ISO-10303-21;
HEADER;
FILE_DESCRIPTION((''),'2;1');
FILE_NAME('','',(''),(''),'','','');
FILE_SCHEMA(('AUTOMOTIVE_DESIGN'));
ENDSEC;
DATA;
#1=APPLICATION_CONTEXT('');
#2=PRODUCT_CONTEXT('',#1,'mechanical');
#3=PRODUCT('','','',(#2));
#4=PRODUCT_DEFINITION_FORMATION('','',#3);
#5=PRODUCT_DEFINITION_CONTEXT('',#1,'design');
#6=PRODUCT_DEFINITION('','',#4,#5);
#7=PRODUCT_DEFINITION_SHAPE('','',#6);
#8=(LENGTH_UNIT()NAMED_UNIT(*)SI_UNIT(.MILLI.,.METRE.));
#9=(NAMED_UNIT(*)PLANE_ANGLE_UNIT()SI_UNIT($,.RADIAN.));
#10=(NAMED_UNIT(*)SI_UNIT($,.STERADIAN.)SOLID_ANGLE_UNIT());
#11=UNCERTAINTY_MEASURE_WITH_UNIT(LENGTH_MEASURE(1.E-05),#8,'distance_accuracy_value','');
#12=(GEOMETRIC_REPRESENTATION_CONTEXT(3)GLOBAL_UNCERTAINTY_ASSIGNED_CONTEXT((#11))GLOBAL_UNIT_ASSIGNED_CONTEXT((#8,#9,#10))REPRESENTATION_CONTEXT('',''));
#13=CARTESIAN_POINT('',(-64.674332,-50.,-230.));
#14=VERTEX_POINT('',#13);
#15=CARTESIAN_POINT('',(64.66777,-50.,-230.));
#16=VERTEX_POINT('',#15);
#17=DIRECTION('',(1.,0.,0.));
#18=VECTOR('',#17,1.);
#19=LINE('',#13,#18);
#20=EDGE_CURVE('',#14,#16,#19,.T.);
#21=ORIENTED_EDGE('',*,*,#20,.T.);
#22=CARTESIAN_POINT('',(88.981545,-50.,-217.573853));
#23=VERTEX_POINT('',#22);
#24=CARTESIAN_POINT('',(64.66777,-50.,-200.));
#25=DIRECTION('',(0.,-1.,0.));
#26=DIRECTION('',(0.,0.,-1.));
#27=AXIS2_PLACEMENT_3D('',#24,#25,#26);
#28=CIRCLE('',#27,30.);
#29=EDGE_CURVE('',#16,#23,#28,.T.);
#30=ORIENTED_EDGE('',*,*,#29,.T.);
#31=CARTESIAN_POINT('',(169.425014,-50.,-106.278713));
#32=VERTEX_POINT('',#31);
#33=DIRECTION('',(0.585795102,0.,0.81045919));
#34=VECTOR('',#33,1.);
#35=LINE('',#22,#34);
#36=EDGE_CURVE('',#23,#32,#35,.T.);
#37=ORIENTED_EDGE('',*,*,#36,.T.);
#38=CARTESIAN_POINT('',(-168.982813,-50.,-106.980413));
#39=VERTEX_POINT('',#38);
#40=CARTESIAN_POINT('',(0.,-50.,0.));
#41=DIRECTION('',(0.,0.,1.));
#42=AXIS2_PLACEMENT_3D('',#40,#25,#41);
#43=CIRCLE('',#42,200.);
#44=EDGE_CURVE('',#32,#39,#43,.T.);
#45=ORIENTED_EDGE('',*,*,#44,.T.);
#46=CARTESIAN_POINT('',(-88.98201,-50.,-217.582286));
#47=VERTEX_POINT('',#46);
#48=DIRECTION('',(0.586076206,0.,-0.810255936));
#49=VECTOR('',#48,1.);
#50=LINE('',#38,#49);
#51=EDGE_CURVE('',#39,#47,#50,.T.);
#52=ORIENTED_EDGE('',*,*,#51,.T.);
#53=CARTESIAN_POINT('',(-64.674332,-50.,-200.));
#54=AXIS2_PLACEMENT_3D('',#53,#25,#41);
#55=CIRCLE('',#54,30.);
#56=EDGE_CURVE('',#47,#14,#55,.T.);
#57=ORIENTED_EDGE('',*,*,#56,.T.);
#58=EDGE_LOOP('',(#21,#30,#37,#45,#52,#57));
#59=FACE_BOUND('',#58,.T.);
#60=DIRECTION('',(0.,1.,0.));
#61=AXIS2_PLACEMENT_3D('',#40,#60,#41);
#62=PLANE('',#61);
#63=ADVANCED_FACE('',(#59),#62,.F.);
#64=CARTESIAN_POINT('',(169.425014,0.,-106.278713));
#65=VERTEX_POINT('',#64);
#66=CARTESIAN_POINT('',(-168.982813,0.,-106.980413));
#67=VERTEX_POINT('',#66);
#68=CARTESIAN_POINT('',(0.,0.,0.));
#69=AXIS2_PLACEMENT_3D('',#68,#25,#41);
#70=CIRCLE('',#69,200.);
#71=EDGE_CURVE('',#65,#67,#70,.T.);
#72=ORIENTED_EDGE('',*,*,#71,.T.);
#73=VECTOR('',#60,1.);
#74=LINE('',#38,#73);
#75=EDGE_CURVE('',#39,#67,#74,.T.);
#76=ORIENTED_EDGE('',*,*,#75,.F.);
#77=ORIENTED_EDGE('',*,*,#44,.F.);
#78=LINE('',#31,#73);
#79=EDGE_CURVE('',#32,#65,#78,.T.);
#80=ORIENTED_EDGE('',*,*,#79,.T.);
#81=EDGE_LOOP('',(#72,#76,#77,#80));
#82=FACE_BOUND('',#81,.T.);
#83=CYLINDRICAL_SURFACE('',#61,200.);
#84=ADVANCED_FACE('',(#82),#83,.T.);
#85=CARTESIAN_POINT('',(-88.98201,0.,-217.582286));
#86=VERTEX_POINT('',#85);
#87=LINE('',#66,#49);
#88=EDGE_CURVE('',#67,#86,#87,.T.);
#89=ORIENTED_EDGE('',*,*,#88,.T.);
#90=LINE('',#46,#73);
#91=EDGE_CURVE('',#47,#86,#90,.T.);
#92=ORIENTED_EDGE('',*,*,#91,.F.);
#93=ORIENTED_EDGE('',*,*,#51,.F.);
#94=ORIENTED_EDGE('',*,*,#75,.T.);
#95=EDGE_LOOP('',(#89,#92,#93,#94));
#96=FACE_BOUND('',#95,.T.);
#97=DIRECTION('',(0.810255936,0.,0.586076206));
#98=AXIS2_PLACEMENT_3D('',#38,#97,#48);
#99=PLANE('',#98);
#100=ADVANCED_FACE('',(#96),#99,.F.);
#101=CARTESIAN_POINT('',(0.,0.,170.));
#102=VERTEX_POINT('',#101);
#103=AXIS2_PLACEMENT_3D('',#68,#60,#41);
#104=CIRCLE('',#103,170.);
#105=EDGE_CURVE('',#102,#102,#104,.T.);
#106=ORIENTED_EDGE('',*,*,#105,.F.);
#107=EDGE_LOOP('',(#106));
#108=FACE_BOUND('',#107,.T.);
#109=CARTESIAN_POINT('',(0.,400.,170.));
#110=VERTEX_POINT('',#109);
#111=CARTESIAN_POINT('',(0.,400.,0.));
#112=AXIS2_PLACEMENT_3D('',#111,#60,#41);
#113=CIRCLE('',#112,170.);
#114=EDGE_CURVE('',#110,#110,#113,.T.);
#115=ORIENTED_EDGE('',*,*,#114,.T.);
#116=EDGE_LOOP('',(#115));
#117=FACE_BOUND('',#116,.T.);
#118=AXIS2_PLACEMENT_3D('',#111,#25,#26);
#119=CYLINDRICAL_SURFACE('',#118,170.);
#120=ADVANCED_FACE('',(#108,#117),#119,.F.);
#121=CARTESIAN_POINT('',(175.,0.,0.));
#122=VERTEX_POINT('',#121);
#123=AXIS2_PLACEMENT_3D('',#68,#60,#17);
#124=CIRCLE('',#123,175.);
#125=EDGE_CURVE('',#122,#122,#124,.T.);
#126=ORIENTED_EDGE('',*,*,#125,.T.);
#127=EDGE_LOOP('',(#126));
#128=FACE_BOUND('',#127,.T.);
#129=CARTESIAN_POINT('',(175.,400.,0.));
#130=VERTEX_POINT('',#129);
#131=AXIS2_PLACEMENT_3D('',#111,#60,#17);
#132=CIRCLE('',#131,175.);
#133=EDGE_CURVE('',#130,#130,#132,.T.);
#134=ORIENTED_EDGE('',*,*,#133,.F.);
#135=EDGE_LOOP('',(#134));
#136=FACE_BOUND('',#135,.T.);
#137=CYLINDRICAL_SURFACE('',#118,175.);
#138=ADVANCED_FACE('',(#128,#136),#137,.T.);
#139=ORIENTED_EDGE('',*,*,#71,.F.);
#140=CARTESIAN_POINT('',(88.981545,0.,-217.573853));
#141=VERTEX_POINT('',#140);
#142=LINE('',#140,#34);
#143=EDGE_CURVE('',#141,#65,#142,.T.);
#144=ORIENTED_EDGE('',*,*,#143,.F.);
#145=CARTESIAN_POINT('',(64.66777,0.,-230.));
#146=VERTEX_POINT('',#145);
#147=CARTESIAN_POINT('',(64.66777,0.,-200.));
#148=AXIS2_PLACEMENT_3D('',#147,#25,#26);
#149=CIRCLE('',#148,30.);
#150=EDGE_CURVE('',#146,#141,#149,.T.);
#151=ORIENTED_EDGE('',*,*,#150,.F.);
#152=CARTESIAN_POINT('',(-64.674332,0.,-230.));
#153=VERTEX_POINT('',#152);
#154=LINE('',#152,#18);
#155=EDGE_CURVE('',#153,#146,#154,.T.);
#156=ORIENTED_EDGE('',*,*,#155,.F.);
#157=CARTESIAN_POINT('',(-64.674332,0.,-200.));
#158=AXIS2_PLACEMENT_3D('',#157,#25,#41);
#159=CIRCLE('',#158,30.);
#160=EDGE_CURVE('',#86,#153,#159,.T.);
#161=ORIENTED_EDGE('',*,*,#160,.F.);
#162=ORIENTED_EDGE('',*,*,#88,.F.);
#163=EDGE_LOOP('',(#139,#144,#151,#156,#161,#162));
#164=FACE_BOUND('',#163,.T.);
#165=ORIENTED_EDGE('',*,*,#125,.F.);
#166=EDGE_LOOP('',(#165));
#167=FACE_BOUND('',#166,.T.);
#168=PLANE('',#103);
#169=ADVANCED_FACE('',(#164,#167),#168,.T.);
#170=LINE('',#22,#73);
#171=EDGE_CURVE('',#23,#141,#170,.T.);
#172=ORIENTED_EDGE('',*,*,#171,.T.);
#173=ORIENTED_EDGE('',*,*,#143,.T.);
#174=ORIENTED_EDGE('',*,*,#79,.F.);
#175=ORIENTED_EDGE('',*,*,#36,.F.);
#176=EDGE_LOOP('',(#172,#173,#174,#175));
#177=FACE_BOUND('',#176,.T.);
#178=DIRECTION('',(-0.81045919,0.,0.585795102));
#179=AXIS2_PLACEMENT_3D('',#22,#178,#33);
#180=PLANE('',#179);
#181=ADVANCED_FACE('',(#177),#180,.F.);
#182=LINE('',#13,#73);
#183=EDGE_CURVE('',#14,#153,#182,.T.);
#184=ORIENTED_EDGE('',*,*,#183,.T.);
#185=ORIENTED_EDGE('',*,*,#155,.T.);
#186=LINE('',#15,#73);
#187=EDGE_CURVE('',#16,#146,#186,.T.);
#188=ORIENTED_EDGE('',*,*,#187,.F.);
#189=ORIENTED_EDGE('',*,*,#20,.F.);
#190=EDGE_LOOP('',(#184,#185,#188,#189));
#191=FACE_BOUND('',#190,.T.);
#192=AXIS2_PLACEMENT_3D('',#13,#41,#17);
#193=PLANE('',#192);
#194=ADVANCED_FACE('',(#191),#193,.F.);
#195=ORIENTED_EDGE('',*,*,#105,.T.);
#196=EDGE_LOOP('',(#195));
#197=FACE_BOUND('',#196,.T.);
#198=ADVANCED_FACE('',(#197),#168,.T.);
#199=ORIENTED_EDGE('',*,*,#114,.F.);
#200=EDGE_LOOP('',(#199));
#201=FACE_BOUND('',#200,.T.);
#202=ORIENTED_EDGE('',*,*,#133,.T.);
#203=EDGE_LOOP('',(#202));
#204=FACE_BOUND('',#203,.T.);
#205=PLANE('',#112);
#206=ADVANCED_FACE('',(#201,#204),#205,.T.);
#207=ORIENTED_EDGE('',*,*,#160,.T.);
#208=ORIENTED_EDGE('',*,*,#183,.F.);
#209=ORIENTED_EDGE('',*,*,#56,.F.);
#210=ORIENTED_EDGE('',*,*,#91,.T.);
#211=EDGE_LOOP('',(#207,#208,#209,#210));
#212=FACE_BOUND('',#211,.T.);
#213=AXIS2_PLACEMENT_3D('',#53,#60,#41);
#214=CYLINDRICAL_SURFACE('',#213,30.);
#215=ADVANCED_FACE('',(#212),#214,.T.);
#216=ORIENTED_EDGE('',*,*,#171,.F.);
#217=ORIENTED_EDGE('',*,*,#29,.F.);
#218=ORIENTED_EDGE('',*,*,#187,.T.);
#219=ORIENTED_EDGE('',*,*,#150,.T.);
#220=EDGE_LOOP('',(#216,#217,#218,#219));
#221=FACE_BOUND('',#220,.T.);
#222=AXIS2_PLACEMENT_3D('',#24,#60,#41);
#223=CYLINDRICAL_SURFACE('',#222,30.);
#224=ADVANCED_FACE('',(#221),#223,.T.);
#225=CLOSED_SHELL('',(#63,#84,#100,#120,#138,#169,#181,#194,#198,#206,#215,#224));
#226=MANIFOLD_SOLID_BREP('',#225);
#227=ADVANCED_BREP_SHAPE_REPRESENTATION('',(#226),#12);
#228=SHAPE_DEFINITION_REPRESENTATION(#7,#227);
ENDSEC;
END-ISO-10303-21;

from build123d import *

# Parameters (mm, degrees)
SKETCH_1_R        = 175
SKETCH_1_R_2      = 170
EXTRUDE_1_DEPTH   = 400
EXTRUDE_1_2_DEPTH = 50


with BuildPart() as part:
    # Эскиз1 → Extrude 1 (new body)
    with BuildSketch(Plane(origin=(0, 0, 0), x_dir=(1, 0, 0), z_dir=(0, 1, 0))):
        Circle(SKETCH_1_R)
        Circle(SKETCH_1_R_2, mode=Mode.SUBTRACT)
    extrude(amount=EXTRUDE_1_DEPTH)

    # Эскиз2 → Extrude 1 2 (add)
    with BuildSketch(Plane.XZ):
        with BuildLine():
            Line((-64.674331545, -230), (64.667769704, -230))
            ThreePointArc((64.667769704, -230), (78.320322733, -226.713438487), (88.981545406, -217.573853052))
            Line((88.981545406, -217.573853052), (169.425013579, -106.278712703))
            ThreePointArc((169.425013579, -106.278712703), (-0.414705995, 199.999570047), (-168.982813438, -106.980412985))
            Line((-168.982813438, -106.980412985), (-88.982009615, -217.582286166))
            ThreePointArc((-88.982009615, -217.582286166), (-78.322251075, -226.715806042), (-64.674331545, -230))
        make_face()
    extrude(amount=EXTRUDE_1_2_DEPTH)


solid = part.part
